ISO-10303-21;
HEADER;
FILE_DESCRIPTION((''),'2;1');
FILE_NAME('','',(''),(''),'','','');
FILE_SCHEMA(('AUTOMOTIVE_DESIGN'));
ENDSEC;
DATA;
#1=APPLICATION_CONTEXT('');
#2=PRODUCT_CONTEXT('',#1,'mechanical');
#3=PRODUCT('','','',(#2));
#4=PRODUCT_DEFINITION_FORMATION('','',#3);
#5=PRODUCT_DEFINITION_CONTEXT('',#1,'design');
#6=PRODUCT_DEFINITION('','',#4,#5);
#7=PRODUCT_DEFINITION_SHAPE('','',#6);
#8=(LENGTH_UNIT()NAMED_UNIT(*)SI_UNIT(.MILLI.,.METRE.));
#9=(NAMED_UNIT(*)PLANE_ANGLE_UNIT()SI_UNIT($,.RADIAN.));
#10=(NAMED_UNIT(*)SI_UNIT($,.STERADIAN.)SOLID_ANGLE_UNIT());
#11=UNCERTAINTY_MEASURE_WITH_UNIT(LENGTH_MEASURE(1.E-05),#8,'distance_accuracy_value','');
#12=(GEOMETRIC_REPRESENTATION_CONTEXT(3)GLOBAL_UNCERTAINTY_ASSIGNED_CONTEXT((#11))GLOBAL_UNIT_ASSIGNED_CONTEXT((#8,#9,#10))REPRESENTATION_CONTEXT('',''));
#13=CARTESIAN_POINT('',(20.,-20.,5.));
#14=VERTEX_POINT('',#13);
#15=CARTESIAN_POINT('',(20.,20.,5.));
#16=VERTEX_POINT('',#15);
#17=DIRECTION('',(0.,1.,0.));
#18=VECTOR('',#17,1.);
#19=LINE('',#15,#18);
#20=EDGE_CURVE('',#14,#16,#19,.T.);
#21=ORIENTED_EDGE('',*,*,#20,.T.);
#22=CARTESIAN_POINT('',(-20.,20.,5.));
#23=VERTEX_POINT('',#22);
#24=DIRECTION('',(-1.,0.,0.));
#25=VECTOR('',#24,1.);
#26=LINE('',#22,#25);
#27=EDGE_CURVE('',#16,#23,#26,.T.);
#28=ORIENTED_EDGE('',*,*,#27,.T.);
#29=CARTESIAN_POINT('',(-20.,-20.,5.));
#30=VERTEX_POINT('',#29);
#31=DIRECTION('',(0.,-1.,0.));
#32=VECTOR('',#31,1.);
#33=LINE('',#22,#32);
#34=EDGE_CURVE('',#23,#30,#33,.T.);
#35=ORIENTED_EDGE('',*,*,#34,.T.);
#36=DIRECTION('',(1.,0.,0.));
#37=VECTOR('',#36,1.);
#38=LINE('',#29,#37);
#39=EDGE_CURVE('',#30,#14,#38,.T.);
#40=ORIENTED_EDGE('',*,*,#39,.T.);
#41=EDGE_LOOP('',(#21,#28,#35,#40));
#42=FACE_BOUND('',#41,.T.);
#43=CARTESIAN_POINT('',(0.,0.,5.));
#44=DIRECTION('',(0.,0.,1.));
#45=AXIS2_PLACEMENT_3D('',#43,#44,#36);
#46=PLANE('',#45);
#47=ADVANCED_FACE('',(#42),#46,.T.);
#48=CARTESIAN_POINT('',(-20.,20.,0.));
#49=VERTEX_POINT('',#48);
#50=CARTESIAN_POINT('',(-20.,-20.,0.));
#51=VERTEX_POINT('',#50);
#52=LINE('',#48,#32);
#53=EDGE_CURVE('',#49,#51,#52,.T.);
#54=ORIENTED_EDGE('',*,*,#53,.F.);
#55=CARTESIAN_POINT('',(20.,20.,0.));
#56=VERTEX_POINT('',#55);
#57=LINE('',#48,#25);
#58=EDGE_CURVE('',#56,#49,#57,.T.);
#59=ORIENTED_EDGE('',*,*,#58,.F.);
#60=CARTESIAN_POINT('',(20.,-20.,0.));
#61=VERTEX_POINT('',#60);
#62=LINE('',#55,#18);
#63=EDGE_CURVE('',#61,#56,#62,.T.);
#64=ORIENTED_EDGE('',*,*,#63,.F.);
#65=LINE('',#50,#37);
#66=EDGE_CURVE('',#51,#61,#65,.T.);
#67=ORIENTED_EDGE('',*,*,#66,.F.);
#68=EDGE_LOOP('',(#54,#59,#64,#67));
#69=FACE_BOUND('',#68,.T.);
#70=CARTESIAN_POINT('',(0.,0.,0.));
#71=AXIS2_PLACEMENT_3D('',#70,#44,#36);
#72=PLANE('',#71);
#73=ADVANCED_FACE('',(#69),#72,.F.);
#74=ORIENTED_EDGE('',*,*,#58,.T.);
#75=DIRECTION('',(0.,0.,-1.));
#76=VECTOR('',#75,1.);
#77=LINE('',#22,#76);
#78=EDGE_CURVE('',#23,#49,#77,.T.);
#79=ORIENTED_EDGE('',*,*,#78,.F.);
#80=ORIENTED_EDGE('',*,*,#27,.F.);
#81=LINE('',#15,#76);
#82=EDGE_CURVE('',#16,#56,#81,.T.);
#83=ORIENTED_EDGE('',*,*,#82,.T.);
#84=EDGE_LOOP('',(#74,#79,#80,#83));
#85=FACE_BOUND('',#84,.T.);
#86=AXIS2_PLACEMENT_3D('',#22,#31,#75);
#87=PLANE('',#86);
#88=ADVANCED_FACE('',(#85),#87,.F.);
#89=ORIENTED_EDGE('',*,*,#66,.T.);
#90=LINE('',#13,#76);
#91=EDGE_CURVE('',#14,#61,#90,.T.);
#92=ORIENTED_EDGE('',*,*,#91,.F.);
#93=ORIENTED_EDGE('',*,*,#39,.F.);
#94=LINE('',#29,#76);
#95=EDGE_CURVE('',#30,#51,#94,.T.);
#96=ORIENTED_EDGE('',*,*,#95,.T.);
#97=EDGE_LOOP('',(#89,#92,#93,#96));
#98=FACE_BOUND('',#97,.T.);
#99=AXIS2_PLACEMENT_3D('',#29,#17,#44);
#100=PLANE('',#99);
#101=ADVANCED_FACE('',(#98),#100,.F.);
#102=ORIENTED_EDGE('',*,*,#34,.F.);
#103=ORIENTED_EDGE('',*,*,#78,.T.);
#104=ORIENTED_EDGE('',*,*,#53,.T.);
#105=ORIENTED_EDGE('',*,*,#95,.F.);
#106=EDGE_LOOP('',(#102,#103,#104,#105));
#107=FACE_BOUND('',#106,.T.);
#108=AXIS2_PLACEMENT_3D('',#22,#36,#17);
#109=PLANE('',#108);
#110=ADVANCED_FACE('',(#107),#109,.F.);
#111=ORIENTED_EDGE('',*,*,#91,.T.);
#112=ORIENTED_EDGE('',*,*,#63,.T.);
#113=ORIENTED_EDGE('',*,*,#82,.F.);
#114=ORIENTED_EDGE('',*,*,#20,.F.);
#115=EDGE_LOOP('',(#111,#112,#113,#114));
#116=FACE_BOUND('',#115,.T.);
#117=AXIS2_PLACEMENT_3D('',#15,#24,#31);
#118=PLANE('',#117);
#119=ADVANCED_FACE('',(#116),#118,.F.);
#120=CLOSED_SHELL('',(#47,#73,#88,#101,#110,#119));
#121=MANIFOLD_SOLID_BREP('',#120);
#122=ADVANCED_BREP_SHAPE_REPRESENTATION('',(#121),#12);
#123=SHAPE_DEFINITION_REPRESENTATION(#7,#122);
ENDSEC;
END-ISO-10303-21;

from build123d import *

# Parameters (mm, degrees)
SKETCH1_W           = 40
SKETCH1_H           = 40
BOSS_EXTRUDE1_DEPTH = 5


with BuildPart() as part:
    # Sketch1 → Boss-Extrude1 (new body)
    with BuildSketch(Plane.XY):
        Rectangle(SKETCH1_W, SKETCH1_H)
    extrude(amount=BOSS_EXTRUDE1_DEPTH)


solid = part.part
